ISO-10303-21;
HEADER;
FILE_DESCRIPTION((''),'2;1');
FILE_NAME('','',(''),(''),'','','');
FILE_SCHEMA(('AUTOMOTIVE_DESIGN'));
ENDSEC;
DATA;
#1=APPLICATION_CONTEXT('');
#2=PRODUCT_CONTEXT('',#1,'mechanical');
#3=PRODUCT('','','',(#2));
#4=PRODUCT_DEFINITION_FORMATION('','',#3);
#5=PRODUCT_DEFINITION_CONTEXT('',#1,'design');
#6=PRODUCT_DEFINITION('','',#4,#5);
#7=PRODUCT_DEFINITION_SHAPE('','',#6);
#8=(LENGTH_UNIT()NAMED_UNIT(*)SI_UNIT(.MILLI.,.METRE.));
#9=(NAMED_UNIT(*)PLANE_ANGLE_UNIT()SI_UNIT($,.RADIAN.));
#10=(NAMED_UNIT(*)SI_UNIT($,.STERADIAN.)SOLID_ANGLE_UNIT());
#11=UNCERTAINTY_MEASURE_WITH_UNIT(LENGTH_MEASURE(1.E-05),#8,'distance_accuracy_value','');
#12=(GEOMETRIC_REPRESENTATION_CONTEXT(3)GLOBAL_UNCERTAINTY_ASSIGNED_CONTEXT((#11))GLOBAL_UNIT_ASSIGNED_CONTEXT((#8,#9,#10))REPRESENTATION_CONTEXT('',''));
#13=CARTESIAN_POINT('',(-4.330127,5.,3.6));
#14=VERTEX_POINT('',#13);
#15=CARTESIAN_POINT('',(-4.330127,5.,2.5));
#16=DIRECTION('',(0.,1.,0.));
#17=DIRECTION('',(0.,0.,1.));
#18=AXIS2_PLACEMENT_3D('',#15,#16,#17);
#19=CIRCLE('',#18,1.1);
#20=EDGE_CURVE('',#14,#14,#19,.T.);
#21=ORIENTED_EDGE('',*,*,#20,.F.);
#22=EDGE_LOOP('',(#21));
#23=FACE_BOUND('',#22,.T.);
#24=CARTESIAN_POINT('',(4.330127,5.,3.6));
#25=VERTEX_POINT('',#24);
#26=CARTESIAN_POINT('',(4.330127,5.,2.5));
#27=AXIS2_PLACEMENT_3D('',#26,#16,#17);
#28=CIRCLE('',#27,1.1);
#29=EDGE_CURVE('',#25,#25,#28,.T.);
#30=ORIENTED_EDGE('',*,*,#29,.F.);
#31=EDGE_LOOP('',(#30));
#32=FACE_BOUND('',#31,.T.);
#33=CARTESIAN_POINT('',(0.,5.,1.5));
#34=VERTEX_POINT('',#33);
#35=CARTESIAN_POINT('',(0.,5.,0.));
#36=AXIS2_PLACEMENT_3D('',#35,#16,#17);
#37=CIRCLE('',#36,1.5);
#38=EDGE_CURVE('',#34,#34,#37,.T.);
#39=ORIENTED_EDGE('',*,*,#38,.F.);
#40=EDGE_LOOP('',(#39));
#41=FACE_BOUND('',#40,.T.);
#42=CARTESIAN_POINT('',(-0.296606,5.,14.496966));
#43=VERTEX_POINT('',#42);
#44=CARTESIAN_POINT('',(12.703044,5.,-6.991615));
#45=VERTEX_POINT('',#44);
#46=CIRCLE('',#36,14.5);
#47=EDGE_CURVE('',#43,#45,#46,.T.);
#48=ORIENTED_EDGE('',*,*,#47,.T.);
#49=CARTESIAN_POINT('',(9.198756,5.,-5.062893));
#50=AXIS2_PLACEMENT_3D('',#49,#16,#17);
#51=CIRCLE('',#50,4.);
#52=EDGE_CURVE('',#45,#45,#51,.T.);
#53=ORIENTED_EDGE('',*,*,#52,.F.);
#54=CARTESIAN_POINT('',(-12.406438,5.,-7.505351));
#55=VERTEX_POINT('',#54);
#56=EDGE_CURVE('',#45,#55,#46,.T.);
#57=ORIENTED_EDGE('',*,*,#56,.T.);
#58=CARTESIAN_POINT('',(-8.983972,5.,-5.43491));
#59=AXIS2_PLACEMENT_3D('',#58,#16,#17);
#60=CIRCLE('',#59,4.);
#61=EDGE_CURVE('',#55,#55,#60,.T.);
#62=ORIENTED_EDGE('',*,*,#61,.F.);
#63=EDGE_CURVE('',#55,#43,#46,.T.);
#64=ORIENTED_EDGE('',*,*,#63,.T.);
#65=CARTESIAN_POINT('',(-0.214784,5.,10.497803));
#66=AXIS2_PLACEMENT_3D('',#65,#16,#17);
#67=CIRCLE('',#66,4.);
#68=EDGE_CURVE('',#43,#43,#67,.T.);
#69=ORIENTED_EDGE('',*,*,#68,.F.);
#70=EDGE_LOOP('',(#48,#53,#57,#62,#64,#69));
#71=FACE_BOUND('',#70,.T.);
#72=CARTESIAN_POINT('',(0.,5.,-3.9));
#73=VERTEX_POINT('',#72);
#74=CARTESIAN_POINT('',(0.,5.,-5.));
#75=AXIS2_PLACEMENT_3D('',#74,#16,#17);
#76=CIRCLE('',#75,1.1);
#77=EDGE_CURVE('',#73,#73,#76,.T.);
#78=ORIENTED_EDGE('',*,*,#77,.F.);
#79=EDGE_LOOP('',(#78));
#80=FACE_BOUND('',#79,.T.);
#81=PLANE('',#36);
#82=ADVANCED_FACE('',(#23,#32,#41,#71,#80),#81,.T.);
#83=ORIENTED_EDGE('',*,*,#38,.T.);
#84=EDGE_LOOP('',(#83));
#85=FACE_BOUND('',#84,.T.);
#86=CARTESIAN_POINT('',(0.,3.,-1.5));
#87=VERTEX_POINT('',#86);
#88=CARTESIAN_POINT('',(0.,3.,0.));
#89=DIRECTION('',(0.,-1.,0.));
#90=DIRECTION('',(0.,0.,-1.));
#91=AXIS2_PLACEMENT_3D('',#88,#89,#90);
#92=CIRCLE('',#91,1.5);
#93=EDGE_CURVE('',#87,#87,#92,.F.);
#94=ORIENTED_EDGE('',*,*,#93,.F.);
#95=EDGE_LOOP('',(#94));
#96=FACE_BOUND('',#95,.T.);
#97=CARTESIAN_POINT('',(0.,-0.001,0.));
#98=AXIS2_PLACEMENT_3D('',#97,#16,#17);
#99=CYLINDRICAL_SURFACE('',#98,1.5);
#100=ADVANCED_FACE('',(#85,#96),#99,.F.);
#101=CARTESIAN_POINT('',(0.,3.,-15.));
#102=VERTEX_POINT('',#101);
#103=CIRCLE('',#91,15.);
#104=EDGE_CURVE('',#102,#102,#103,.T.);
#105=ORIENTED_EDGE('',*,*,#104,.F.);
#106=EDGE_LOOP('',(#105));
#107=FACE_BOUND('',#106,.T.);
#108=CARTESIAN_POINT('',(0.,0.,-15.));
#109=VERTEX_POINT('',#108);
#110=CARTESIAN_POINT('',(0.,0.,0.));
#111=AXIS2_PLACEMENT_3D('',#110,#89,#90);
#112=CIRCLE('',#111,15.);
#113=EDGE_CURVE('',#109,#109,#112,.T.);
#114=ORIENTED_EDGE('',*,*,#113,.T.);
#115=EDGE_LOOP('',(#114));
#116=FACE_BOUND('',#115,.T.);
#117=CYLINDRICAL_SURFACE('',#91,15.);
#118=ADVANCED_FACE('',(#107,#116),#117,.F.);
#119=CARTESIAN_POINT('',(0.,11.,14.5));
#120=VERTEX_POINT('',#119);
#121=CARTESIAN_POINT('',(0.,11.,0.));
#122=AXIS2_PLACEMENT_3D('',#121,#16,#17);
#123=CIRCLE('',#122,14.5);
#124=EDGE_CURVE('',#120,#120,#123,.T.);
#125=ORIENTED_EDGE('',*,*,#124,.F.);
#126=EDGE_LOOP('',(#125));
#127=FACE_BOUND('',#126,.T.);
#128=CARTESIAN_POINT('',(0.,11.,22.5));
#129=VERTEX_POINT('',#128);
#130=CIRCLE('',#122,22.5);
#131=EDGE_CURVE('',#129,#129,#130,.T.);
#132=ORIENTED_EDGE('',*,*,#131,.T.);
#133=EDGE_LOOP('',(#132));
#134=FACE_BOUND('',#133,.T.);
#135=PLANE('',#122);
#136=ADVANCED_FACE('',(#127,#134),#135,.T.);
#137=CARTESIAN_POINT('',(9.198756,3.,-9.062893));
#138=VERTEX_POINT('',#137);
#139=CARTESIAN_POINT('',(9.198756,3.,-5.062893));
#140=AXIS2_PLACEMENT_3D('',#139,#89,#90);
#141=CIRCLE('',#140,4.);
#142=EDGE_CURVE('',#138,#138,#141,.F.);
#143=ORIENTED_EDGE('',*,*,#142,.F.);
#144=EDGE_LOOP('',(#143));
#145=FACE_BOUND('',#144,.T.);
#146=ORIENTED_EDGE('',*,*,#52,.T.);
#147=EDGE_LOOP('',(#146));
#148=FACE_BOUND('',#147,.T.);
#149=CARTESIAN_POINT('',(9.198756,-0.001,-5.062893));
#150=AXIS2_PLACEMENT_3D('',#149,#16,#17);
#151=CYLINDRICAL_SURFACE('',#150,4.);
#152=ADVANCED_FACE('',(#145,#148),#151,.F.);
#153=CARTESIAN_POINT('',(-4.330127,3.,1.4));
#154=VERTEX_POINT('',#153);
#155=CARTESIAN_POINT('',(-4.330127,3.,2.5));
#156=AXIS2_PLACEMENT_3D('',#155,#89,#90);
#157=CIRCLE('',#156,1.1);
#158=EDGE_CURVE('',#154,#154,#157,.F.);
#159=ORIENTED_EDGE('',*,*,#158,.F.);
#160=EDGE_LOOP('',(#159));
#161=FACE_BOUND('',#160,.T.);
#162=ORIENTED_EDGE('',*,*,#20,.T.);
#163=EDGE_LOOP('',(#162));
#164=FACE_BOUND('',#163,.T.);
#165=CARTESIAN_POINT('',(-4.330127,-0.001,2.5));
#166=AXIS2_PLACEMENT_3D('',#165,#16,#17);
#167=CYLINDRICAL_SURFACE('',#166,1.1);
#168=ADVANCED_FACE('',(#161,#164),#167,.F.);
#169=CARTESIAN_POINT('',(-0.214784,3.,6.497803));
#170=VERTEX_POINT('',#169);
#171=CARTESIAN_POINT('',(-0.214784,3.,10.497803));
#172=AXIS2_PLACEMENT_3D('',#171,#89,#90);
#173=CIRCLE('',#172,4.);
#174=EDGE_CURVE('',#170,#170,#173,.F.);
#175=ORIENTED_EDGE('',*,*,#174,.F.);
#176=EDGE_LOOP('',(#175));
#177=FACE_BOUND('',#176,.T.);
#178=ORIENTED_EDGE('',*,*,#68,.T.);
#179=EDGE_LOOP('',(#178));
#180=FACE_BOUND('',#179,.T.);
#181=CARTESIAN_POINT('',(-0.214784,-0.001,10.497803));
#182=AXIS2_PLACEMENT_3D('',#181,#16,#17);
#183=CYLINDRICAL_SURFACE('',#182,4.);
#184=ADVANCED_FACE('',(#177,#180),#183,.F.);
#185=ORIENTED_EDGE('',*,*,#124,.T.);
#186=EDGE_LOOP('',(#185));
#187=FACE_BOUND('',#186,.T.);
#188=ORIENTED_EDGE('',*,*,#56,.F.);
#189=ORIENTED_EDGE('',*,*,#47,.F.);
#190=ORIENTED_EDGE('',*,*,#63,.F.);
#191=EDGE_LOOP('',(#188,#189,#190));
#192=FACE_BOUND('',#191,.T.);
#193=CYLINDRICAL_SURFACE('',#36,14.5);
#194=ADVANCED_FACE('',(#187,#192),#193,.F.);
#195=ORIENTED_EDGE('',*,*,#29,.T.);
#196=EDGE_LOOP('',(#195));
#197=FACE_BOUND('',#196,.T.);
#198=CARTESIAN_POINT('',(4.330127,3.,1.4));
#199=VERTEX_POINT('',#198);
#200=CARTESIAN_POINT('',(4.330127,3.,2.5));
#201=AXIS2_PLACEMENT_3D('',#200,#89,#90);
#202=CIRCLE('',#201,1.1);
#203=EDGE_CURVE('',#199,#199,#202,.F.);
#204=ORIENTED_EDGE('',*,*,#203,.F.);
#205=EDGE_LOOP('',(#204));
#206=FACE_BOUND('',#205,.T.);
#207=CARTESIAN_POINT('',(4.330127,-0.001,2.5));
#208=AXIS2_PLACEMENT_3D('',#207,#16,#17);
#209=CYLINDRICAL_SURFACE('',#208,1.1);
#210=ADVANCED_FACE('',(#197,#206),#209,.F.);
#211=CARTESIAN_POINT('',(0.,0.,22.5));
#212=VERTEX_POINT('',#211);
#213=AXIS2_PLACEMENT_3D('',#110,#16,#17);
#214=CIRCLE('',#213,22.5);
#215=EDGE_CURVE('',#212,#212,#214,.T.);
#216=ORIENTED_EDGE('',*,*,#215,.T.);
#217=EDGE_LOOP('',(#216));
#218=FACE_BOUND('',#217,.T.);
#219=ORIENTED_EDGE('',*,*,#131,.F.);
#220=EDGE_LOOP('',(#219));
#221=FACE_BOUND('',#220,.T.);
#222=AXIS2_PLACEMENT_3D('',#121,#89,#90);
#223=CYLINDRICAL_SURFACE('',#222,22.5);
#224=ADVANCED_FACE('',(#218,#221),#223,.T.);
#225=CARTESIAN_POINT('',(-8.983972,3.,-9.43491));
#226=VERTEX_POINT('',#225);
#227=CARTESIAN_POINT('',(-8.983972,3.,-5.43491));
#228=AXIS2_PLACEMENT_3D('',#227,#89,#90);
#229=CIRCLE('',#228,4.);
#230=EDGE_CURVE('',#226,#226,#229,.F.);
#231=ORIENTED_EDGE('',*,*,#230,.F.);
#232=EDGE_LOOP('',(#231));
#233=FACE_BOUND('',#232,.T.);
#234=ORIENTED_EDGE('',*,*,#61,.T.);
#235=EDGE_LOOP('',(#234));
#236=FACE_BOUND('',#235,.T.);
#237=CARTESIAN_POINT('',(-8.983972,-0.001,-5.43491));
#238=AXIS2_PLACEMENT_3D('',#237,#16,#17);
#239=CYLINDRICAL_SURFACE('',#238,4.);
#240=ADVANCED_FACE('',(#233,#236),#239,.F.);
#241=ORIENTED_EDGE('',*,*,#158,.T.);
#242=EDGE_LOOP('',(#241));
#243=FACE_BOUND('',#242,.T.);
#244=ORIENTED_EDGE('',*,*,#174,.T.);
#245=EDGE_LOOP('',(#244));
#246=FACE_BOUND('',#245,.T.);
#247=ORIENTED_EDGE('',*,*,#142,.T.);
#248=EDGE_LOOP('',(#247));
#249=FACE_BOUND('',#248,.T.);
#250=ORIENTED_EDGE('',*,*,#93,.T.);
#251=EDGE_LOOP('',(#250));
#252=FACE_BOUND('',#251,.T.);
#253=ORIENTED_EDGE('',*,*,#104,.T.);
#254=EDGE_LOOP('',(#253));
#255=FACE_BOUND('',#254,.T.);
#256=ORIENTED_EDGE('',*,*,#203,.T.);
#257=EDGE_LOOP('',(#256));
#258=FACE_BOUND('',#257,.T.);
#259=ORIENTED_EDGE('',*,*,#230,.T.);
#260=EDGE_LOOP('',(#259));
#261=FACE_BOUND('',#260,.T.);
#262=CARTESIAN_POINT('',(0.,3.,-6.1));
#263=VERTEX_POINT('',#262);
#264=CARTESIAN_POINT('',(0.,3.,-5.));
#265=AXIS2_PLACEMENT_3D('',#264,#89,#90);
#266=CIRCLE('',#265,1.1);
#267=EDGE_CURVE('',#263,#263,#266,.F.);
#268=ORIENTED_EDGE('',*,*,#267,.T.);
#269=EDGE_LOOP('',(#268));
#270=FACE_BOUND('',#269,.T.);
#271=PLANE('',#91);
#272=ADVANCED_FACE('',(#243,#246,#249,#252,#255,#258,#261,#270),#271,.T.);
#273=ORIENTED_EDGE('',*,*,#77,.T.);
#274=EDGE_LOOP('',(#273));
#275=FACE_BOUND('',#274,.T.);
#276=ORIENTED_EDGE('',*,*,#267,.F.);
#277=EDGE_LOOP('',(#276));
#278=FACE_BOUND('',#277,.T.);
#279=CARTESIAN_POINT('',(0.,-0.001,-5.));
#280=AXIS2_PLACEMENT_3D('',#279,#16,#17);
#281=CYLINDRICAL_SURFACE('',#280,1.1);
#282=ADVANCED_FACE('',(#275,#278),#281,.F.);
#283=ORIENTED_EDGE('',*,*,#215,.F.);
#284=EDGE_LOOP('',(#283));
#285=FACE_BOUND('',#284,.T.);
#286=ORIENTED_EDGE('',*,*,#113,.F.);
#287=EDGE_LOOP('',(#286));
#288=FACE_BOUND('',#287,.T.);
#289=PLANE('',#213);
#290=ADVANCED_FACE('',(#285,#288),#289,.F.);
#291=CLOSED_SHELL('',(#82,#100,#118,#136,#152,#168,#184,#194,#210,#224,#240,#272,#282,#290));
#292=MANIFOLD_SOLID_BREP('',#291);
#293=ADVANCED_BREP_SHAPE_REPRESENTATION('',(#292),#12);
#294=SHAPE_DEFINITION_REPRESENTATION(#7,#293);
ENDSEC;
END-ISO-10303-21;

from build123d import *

# Parameters (mm, degrees)
SKETCH1_R           = 22.5
BOSS_EXTRUDE1_DEPTH = 11
SKETCH2_R           = 14.5
CUT_EXTRUDE1_DEPTH  = 6
SKETCH3_R           = 15
CUT_EXTRUDE2_DEPTH  = 3
CUT_EXTRUDE3_REACH  = 34.381
SKETCH4_R           = 1.5
SKETCH4_R_2         = 1.1
SKETCH4_R_3         = 4


with BuildPart() as part:
    # Sketch1 → Boss-Extrude1 (new body)
    with BuildSketch(Plane(origin=(0, 0, 0), x_dir=(1, 0, 0), z_dir=(0, 1, 0))):
        with Locations(Location((0, 0, 0), (0, 0, 270))):
            Circle(SKETCH1_R)
    extrude(amount=BOSS_EXTRUDE1_DEPTH)

    # Sketch2 → Cut-Extrude1 (cut)
    with BuildSketch(Plane(origin=(0, 11, 0), x_dir=(1, 0, 0), z_dir=(0, 1, 0))):
        with Locations(Location((0, 0, 0), (0, 0, 270))):
            Circle(SKETCH2_R)
    extrude(amount=-CUT_EXTRUDE1_DEPTH, mode=Mode.SUBTRACT)

    # Sketch3 → Cut-Extrude2 (cut)
    with BuildSketch(Plane.XZ):
        with Locations(Location((0, 0, 0), (0, 0, 270))):
            Circle(SKETCH3_R)
    extrude(amount=-CUT_EXTRUDE2_DEPTH, mode=Mode.SUBTRACT)

    # Sketch4 → Cut-Extrude3 (cut, up to next)
    with BuildSketch(Plane(origin=(0, 5, 0), x_dir=(1, 0, 0), z_dir=(0, 1, 0)), mode=Mode.PRIVATE) as cut_extrude3_sk1:
        with Locations(Location((0, 0, 0), (0, 0, 270))):
            Circle(SKETCH4_R)
    cut_extrude3_tool1 = extrude(cut_extrude3_sk1.sketch, amount=-CUT_EXTRUDE3_REACH, mode=Mode.PRIVATE) & part.part
    # Sketch4 → Cut-Extrude3 (cut, up to next)
    with BuildSketch(Plane(origin=(0, 5, 0), x_dir=(1, 0, 0), z_dir=(0, 1, 0)), mode=Mode.PRIVATE) as cut_extrude3_sk2:
        with Locations(Location((0, 5, 0), (0, 0, 270))):
            Circle(SKETCH4_R_2)
    cut_extrude3_tool2 = extrude(cut_extrude3_sk2.sketch, amount=-CUT_EXTRUDE3_REACH, mode=Mode.PRIVATE) & part.part
    # Sketch4 → Cut-Extrude3 (cut, up to next)
    with BuildSketch(Plane(origin=(0, 5, 0), x_dir=(1, 0, 0), z_dir=(0, 1, 0)), mode=Mode.PRIVATE) as cut_extrude3_sk3:
        with Locations(Location((4.330127019, -2.5, 0), (0, 0, 270))):
            Circle(SKETCH4_R_2)
    cut_extrude3_tool3 = extrude(cut_extrude3_sk3.sketch, amount=-CUT_EXTRUDE3_REACH, mode=Mode.PRIVATE) & part.part
    # Sketch4 → Cut-Extrude3 (cut, up to next)
    with BuildSketch(Plane(origin=(0, 5, 0), x_dir=(1, 0, 0), z_dir=(0, 1, 0)), mode=Mode.PRIVATE) as cut_extrude3_sk4:
        with Locations(Location((-4.330127019, -2.5, 0), (0, 0, 270))):
            Circle(SKETCH4_R_2)
    cut_extrude3_tool4 = extrude(cut_extrude3_sk4.sketch, amount=-CUT_EXTRUDE3_REACH, mode=Mode.PRIVATE) & part.part
    # Sketch4 → Cut-Extrude3 (cut, up to next)
    with BuildSketch(Plane(origin=(0, 5, 0), x_dir=(1, 0, 0), z_dir=(0, 1, 0)), mode=Mode.PRIVATE) as cut_extrude3_sk5:
        with Locations(Location((9.198755892, 5.062893446, 0), (0, 0, 28.828375855))):
            Circle(SKETCH4_R_3)
    cut_extrude3_tool5 = extrude(cut_extrude3_sk5.sketch, amount=-CUT_EXTRUDE3_REACH, mode=Mode.PRIVATE) & part.part
    # Sketch4 → Cut-Extrude3 (cut, up to next)
    with BuildSketch(Plane(origin=(0, 5, 0), x_dir=(1, 0, 0), z_dir=(0, 1, 0)), mode=Mode.PRIVATE) as cut_extrude3_sk6:
        with Locations(Location((-0.214783605, -10.497803008, 0), (0, 0, 268.828376506))):
            Circle(SKETCH4_R_3)
    cut_extrude3_tool6 = extrude(cut_extrude3_sk6.sketch, amount=-CUT_EXTRUDE3_REACH, mode=Mode.PRIVATE) & part.part
    # Sketch4 → Cut-Extrude3 (cut, up to next)
    with BuildSketch(Plane(origin=(0, 5, 0), x_dir=(1, 0, 0), z_dir=(0, 1, 0)), mode=Mode.PRIVATE) as cut_extrude3_sk7:
        with Locations(Location((-8.983972287, 5.434909563, 0), (0, 0, 148.828375289))):
            Circle(SKETCH4_R_3)
    cut_extrude3_tool7 = extrude(cut_extrude3_sk7.sketch, amount=-CUT_EXTRUDE3_REACH, mode=Mode.PRIVATE) & part.part
    add(cut_extrude3_tool1.solids().sort_by_distance((0, 5, 0))[0], mode=Mode.SUBTRACT)
    add(cut_extrude3_tool2.solids().sort_by_distance((0, 5, -5))[0], mode=Mode.SUBTRACT)
    add(cut_extrude3_tool3.solids().sort_by_distance((4.330127, 5, 2.5))[0], mode=Mode.SUBTRACT)
    add(cut_extrude3_tool4.solids().sort_by_distance((-4.330127, 5, 2.5))[0], mode=Mode.SUBTRACT)
    add(cut_extrude3_tool5.solids().sort_by_distance((9.198756, 5, -5.062893))[0], mode=Mode.SUBTRACT)
    add(cut_extrude3_tool6.solids().sort_by_distance((-0.214784, 5, 10.497803))[0], mode=Mode.SUBTRACT)
    add(cut_extrude3_tool7.solids().sort_by_distance((-8.983972, 5, -5.43491))[0], mode=Mode.SUBTRACT)


solid = part.part
